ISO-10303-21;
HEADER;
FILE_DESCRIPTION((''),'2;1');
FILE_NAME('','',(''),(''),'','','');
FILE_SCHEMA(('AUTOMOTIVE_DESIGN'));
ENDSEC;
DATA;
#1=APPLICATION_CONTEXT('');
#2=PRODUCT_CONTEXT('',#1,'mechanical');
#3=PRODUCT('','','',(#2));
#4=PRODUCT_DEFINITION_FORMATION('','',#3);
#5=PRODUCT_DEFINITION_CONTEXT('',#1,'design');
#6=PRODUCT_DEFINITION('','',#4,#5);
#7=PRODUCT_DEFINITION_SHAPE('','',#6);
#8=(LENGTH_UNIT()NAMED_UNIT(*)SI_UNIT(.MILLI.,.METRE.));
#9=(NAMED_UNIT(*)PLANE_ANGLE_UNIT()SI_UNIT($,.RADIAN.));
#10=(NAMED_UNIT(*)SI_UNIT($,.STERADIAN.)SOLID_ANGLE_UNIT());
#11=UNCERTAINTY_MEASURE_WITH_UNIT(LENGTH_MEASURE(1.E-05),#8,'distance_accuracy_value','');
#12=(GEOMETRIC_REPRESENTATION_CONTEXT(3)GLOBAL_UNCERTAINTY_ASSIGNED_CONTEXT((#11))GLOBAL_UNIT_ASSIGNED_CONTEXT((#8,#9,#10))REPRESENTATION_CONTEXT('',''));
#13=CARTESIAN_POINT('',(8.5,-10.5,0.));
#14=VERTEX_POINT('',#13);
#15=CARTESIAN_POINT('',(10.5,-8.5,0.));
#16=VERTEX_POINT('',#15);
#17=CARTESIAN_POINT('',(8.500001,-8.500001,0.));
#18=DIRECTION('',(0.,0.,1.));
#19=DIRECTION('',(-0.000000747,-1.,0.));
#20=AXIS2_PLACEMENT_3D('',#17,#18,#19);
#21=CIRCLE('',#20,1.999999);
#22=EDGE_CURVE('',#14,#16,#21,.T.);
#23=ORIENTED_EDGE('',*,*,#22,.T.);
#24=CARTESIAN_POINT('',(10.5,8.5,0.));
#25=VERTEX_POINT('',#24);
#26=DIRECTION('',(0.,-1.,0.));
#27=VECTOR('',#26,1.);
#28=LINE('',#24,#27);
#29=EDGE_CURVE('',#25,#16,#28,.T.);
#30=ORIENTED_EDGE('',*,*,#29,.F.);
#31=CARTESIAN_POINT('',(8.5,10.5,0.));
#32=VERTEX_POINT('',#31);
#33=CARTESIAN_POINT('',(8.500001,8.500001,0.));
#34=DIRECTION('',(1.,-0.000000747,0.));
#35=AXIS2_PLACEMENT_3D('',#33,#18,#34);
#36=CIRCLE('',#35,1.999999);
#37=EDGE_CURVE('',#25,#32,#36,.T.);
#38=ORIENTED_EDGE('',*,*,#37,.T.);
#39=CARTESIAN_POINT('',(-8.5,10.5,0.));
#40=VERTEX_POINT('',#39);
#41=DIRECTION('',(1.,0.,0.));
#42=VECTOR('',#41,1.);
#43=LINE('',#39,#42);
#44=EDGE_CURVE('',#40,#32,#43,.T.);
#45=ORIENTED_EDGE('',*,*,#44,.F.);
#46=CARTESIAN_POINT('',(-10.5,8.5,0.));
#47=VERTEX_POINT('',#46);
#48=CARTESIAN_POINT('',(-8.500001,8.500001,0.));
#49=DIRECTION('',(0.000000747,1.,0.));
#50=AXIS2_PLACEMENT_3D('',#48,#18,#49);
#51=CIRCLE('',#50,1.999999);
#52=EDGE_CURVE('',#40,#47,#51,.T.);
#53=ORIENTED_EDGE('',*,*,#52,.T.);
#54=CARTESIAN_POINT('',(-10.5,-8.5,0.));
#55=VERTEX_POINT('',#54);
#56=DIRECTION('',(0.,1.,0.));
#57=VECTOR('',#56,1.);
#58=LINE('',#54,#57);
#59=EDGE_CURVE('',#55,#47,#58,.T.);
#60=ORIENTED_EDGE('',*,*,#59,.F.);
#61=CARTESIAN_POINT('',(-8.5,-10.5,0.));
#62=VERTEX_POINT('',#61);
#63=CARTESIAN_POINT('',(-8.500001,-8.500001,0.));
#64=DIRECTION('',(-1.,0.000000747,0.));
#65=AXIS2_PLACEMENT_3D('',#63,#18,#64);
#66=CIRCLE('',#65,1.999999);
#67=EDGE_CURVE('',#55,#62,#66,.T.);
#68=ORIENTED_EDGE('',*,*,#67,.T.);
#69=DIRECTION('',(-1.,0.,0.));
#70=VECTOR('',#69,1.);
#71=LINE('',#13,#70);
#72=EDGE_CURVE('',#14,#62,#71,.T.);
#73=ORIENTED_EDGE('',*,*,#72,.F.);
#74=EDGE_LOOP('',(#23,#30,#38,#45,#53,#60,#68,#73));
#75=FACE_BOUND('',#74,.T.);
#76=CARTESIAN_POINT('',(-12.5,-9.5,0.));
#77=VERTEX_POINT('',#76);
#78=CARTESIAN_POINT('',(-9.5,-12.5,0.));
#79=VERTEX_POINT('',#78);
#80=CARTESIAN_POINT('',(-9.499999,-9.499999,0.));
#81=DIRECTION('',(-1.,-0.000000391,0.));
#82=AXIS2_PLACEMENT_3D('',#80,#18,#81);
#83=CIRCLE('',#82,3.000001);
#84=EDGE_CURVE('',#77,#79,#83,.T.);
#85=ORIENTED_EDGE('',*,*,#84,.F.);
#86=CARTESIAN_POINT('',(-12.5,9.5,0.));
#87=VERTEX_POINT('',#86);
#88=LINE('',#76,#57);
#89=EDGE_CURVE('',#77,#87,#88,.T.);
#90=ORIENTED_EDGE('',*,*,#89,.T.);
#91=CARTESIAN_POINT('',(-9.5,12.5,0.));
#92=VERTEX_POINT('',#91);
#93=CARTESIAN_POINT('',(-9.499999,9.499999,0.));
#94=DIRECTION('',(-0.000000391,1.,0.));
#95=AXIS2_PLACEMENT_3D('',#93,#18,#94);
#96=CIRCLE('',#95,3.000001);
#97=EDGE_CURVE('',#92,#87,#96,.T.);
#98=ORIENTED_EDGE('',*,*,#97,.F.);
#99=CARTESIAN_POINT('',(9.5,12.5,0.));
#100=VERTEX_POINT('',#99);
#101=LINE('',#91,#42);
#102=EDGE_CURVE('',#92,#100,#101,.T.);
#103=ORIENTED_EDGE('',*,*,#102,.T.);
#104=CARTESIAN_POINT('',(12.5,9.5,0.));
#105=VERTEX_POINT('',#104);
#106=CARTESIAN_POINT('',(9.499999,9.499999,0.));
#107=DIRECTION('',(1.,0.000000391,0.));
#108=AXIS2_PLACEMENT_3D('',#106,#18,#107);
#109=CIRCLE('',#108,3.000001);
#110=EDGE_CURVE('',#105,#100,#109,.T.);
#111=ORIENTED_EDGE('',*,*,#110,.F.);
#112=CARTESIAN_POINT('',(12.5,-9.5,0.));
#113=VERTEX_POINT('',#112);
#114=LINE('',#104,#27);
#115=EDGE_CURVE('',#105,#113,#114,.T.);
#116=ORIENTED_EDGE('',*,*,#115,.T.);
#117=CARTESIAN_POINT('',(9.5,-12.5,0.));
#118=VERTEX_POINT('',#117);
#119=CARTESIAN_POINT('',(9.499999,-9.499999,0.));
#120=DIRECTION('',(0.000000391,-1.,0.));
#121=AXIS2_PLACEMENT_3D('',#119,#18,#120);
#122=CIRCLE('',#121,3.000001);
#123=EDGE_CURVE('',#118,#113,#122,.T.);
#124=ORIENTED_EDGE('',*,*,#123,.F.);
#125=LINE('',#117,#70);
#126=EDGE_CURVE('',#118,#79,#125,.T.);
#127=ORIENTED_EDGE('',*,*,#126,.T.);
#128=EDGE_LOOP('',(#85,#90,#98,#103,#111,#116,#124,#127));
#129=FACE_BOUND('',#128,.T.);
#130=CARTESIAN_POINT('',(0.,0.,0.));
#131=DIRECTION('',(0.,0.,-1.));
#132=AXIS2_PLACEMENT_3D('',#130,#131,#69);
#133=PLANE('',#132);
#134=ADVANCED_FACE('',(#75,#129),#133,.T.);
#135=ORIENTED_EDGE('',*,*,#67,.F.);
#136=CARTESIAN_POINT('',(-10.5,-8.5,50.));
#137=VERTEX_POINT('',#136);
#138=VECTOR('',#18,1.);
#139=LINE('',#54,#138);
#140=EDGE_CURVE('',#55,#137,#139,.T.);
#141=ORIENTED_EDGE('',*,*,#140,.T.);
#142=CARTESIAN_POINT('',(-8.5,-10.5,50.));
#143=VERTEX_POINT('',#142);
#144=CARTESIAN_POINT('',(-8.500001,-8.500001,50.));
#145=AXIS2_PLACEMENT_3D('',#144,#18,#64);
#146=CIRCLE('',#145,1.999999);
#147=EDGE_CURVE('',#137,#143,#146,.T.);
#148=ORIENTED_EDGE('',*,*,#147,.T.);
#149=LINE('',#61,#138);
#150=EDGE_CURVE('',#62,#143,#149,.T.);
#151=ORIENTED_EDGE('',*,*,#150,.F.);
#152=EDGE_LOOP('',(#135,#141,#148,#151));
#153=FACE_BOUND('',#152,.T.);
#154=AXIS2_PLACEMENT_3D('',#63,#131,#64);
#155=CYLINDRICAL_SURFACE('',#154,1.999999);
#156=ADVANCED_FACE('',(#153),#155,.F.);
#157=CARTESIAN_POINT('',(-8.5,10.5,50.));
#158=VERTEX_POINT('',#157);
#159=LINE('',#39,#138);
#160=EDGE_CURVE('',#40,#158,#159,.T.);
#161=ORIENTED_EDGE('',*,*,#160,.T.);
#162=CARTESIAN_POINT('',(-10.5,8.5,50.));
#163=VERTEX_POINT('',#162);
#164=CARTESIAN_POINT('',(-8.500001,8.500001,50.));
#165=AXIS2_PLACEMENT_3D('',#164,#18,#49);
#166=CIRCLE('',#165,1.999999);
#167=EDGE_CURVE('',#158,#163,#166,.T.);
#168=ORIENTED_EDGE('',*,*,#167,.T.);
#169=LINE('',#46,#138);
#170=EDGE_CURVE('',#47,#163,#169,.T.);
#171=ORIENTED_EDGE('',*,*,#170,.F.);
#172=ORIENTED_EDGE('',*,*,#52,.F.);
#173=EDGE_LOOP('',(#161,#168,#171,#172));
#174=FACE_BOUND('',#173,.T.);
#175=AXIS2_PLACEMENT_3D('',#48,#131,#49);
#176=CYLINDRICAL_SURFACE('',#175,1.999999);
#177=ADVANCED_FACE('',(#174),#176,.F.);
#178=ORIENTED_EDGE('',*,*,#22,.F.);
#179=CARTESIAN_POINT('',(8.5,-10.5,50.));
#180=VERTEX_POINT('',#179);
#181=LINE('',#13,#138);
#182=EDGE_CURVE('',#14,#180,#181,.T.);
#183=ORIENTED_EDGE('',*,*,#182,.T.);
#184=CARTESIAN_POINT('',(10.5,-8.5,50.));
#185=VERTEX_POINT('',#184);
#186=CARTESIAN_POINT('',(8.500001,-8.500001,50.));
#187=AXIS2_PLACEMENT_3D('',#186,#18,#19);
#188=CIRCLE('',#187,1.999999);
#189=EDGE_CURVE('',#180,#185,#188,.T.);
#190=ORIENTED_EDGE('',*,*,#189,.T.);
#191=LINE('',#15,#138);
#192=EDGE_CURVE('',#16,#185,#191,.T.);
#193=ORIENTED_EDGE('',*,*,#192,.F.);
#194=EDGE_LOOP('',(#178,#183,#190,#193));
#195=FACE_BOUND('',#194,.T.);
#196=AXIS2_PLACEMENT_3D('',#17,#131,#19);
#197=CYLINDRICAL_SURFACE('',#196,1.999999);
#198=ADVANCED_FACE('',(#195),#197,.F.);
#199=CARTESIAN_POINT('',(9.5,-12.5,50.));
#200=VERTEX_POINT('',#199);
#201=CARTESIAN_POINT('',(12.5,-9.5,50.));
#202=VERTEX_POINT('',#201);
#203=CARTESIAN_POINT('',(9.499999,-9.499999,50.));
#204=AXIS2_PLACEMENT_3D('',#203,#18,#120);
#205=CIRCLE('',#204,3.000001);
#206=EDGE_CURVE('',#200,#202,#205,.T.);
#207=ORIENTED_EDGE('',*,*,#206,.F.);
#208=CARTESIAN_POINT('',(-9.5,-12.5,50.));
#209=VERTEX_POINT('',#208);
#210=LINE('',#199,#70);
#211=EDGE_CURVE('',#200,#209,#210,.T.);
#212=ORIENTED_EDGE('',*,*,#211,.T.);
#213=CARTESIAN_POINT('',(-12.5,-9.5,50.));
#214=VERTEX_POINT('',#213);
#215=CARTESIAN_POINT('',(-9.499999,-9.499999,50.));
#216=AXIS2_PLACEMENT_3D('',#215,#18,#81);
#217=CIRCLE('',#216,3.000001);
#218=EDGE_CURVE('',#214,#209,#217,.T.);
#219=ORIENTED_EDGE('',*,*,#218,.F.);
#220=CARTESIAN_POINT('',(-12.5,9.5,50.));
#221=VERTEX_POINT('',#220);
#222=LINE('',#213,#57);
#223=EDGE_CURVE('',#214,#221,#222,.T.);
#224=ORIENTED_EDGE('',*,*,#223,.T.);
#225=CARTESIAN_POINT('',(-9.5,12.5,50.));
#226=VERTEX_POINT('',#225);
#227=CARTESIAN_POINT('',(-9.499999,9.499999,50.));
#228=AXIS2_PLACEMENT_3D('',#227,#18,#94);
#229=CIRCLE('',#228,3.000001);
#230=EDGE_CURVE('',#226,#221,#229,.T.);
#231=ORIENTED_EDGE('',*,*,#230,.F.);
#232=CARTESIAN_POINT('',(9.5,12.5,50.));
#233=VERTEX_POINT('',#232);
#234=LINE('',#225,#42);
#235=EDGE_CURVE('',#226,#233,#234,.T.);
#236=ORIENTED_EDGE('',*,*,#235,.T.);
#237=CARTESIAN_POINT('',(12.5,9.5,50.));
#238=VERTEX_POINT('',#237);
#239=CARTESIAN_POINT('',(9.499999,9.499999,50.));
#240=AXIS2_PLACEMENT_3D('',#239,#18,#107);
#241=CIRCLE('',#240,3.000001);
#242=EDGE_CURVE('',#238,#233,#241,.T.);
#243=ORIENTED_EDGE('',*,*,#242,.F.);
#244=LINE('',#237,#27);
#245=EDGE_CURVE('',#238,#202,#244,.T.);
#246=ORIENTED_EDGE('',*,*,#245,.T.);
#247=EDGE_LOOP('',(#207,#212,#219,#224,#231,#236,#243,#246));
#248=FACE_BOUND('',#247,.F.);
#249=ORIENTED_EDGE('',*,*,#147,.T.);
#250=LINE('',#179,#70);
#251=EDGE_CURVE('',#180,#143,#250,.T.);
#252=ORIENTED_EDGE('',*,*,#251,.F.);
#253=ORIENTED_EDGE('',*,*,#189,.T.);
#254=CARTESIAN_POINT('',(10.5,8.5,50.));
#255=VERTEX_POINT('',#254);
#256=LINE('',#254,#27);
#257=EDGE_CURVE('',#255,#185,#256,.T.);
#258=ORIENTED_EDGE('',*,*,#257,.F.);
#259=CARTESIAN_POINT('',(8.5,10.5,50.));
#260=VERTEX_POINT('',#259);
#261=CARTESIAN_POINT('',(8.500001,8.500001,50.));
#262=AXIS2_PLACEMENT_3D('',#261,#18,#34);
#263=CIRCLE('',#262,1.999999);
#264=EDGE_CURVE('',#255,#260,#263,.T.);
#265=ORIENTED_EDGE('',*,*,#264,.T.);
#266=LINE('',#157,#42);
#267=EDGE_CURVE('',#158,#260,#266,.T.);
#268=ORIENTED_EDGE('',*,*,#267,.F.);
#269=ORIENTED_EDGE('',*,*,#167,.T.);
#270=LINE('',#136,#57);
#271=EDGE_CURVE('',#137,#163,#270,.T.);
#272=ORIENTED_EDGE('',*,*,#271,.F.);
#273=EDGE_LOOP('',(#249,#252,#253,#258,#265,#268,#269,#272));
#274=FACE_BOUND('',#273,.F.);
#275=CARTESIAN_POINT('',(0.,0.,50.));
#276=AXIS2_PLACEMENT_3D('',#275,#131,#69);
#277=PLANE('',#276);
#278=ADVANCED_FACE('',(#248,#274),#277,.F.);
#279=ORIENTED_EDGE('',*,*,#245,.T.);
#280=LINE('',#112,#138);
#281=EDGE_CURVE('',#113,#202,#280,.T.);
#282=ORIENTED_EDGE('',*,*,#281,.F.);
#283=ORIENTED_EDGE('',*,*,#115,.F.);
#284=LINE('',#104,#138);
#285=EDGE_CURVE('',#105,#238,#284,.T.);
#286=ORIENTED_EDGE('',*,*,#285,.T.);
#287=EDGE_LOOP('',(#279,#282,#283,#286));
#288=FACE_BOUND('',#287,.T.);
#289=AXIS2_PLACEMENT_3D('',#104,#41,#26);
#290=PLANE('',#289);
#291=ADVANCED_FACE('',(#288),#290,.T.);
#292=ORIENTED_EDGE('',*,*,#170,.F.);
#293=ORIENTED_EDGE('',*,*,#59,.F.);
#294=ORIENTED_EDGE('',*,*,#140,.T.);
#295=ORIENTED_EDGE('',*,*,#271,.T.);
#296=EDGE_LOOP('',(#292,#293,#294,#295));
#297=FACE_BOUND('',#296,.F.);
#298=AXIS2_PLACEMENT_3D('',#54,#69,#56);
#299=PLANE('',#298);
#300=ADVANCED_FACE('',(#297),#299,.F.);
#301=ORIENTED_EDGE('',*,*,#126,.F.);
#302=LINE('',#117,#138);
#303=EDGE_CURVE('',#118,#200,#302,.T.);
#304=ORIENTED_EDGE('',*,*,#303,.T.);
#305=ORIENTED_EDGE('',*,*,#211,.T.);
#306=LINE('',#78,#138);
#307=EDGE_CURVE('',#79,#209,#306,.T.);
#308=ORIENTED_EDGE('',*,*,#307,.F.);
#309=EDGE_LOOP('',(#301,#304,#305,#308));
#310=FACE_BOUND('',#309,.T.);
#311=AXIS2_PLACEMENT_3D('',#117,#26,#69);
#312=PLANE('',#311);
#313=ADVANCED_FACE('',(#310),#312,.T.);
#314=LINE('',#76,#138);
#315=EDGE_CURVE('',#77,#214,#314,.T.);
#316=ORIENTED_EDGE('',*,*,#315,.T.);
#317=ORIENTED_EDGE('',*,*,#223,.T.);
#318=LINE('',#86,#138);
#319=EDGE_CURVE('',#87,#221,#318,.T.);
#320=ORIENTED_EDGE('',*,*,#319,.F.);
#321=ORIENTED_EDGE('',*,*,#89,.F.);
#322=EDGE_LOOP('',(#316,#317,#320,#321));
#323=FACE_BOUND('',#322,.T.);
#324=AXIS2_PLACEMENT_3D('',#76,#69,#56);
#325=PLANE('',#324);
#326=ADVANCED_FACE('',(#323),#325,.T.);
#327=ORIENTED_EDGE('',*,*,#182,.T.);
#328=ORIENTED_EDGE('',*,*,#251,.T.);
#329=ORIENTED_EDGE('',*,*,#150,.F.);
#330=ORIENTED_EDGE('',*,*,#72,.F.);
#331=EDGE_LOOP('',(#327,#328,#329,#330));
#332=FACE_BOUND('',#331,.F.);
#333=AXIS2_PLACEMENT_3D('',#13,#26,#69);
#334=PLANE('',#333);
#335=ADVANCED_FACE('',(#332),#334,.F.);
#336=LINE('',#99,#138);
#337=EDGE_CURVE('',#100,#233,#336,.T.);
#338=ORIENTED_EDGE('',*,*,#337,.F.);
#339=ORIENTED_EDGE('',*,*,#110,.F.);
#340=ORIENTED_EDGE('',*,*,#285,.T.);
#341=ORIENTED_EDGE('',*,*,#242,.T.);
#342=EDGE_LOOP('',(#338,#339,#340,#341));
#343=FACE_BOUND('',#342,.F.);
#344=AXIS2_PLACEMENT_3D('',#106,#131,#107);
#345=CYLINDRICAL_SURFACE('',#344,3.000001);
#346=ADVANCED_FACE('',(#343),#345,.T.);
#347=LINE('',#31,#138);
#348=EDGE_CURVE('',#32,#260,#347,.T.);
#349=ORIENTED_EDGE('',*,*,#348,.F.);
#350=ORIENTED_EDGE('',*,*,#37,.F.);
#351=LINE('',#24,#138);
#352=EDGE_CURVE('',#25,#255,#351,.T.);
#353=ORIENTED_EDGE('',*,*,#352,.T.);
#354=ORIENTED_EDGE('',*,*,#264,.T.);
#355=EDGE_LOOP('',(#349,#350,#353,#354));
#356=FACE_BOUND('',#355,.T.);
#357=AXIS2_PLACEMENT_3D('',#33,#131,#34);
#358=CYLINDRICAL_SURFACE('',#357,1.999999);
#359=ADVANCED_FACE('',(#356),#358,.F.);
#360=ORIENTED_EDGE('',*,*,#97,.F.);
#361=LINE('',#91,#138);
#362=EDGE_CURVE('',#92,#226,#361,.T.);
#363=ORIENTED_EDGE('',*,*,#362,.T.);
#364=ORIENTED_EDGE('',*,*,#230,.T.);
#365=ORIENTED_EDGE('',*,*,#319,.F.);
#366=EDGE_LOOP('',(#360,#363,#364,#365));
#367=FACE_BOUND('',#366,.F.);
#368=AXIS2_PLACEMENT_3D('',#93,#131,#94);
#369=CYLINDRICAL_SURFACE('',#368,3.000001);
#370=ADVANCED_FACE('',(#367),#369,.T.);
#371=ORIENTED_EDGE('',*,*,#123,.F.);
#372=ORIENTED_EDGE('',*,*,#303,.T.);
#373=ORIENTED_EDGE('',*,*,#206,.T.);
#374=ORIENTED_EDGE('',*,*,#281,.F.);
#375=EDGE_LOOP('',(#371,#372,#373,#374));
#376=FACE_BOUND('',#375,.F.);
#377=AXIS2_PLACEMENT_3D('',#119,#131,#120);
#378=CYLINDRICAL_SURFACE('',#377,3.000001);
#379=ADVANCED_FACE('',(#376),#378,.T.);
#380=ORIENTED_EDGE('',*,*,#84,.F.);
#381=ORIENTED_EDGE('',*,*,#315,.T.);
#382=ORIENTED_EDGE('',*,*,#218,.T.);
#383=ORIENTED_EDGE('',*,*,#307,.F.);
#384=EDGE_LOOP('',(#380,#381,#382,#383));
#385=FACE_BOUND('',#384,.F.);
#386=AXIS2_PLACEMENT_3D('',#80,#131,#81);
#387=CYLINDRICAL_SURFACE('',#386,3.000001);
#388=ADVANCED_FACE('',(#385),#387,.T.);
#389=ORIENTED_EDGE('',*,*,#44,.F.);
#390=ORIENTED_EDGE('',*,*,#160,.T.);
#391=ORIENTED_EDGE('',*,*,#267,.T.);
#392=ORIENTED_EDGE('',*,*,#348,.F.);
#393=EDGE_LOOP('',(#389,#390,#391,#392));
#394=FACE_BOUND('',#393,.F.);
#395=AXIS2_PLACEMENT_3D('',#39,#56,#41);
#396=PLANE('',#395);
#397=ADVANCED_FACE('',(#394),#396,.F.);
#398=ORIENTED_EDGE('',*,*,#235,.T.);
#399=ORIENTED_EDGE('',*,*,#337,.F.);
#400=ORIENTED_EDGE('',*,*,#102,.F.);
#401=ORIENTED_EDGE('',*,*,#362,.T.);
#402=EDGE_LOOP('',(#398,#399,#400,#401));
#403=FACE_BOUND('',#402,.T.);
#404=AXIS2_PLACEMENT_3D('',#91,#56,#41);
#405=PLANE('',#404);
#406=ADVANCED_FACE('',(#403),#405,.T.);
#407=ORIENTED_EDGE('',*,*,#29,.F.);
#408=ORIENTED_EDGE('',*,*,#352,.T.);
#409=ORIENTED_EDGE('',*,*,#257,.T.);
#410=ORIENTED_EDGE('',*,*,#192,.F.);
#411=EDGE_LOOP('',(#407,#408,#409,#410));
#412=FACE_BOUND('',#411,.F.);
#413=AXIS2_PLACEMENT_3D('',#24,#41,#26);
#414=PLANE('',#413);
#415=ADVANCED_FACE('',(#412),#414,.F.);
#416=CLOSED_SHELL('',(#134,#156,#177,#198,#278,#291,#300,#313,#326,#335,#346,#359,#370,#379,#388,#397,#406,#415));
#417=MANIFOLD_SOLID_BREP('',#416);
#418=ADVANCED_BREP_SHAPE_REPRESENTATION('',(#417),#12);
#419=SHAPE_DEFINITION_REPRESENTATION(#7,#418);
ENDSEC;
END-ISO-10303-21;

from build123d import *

# Parameters (mm, degrees)
EXTRUDE_DEPTH = 50


with BuildPart() as part:
    # Sketch → Extrude (new body)
    with BuildSketch(Plane.XY):
        with BuildLine():
            Line((-9.5, 12.5), (9.5, 12.5))
            ThreePointArc((12.5, 9.5), (11.62132, 11.62132), (9.5, 12.5))
            Line((12.5, 9.5), (12.5, -9.5))
            ThreePointArc((9.5, -12.5), (11.62132, -11.62132), (12.5, -9.5))
            Line((9.5, -12.5), (-9.5, -12.5))
            ThreePointArc((-12.5, -9.5), (-11.62132, -11.62132), (-9.5, -12.5))
            Line((-12.5, -9.5), (-12.5, 9.5))
            ThreePointArc((-9.5, 12.5), (-11.62132, 11.62132), (-12.5, 9.5))
        make_face()
        with BuildLine():
            Line((-8.5, 10.5), (8.5, 10.5))
            ThreePointArc((10.5, 8.5), (9.914214, 9.914214), (8.5, 10.5))
            Line((10.5, 8.5), (10.5, -8.5))
            ThreePointArc((8.5, -10.5), (9.914214, -9.914214), (10.5, -8.5))
            Line((8.5, -10.5), (-8.5, -10.5))
            ThreePointArc((-10.5, -8.5), (-9.914214, -9.914214), (-8.5, -10.5))
            Line((-10.5, -8.5), (-10.5, 8.5))
            ThreePointArc((-8.5, 10.5), (-9.914214, 9.914214), (-10.5, 8.5))
        make_face(mode=Mode.SUBTRACT)
    extrude(amount=EXTRUDE_DEPTH)


solid = part.part
